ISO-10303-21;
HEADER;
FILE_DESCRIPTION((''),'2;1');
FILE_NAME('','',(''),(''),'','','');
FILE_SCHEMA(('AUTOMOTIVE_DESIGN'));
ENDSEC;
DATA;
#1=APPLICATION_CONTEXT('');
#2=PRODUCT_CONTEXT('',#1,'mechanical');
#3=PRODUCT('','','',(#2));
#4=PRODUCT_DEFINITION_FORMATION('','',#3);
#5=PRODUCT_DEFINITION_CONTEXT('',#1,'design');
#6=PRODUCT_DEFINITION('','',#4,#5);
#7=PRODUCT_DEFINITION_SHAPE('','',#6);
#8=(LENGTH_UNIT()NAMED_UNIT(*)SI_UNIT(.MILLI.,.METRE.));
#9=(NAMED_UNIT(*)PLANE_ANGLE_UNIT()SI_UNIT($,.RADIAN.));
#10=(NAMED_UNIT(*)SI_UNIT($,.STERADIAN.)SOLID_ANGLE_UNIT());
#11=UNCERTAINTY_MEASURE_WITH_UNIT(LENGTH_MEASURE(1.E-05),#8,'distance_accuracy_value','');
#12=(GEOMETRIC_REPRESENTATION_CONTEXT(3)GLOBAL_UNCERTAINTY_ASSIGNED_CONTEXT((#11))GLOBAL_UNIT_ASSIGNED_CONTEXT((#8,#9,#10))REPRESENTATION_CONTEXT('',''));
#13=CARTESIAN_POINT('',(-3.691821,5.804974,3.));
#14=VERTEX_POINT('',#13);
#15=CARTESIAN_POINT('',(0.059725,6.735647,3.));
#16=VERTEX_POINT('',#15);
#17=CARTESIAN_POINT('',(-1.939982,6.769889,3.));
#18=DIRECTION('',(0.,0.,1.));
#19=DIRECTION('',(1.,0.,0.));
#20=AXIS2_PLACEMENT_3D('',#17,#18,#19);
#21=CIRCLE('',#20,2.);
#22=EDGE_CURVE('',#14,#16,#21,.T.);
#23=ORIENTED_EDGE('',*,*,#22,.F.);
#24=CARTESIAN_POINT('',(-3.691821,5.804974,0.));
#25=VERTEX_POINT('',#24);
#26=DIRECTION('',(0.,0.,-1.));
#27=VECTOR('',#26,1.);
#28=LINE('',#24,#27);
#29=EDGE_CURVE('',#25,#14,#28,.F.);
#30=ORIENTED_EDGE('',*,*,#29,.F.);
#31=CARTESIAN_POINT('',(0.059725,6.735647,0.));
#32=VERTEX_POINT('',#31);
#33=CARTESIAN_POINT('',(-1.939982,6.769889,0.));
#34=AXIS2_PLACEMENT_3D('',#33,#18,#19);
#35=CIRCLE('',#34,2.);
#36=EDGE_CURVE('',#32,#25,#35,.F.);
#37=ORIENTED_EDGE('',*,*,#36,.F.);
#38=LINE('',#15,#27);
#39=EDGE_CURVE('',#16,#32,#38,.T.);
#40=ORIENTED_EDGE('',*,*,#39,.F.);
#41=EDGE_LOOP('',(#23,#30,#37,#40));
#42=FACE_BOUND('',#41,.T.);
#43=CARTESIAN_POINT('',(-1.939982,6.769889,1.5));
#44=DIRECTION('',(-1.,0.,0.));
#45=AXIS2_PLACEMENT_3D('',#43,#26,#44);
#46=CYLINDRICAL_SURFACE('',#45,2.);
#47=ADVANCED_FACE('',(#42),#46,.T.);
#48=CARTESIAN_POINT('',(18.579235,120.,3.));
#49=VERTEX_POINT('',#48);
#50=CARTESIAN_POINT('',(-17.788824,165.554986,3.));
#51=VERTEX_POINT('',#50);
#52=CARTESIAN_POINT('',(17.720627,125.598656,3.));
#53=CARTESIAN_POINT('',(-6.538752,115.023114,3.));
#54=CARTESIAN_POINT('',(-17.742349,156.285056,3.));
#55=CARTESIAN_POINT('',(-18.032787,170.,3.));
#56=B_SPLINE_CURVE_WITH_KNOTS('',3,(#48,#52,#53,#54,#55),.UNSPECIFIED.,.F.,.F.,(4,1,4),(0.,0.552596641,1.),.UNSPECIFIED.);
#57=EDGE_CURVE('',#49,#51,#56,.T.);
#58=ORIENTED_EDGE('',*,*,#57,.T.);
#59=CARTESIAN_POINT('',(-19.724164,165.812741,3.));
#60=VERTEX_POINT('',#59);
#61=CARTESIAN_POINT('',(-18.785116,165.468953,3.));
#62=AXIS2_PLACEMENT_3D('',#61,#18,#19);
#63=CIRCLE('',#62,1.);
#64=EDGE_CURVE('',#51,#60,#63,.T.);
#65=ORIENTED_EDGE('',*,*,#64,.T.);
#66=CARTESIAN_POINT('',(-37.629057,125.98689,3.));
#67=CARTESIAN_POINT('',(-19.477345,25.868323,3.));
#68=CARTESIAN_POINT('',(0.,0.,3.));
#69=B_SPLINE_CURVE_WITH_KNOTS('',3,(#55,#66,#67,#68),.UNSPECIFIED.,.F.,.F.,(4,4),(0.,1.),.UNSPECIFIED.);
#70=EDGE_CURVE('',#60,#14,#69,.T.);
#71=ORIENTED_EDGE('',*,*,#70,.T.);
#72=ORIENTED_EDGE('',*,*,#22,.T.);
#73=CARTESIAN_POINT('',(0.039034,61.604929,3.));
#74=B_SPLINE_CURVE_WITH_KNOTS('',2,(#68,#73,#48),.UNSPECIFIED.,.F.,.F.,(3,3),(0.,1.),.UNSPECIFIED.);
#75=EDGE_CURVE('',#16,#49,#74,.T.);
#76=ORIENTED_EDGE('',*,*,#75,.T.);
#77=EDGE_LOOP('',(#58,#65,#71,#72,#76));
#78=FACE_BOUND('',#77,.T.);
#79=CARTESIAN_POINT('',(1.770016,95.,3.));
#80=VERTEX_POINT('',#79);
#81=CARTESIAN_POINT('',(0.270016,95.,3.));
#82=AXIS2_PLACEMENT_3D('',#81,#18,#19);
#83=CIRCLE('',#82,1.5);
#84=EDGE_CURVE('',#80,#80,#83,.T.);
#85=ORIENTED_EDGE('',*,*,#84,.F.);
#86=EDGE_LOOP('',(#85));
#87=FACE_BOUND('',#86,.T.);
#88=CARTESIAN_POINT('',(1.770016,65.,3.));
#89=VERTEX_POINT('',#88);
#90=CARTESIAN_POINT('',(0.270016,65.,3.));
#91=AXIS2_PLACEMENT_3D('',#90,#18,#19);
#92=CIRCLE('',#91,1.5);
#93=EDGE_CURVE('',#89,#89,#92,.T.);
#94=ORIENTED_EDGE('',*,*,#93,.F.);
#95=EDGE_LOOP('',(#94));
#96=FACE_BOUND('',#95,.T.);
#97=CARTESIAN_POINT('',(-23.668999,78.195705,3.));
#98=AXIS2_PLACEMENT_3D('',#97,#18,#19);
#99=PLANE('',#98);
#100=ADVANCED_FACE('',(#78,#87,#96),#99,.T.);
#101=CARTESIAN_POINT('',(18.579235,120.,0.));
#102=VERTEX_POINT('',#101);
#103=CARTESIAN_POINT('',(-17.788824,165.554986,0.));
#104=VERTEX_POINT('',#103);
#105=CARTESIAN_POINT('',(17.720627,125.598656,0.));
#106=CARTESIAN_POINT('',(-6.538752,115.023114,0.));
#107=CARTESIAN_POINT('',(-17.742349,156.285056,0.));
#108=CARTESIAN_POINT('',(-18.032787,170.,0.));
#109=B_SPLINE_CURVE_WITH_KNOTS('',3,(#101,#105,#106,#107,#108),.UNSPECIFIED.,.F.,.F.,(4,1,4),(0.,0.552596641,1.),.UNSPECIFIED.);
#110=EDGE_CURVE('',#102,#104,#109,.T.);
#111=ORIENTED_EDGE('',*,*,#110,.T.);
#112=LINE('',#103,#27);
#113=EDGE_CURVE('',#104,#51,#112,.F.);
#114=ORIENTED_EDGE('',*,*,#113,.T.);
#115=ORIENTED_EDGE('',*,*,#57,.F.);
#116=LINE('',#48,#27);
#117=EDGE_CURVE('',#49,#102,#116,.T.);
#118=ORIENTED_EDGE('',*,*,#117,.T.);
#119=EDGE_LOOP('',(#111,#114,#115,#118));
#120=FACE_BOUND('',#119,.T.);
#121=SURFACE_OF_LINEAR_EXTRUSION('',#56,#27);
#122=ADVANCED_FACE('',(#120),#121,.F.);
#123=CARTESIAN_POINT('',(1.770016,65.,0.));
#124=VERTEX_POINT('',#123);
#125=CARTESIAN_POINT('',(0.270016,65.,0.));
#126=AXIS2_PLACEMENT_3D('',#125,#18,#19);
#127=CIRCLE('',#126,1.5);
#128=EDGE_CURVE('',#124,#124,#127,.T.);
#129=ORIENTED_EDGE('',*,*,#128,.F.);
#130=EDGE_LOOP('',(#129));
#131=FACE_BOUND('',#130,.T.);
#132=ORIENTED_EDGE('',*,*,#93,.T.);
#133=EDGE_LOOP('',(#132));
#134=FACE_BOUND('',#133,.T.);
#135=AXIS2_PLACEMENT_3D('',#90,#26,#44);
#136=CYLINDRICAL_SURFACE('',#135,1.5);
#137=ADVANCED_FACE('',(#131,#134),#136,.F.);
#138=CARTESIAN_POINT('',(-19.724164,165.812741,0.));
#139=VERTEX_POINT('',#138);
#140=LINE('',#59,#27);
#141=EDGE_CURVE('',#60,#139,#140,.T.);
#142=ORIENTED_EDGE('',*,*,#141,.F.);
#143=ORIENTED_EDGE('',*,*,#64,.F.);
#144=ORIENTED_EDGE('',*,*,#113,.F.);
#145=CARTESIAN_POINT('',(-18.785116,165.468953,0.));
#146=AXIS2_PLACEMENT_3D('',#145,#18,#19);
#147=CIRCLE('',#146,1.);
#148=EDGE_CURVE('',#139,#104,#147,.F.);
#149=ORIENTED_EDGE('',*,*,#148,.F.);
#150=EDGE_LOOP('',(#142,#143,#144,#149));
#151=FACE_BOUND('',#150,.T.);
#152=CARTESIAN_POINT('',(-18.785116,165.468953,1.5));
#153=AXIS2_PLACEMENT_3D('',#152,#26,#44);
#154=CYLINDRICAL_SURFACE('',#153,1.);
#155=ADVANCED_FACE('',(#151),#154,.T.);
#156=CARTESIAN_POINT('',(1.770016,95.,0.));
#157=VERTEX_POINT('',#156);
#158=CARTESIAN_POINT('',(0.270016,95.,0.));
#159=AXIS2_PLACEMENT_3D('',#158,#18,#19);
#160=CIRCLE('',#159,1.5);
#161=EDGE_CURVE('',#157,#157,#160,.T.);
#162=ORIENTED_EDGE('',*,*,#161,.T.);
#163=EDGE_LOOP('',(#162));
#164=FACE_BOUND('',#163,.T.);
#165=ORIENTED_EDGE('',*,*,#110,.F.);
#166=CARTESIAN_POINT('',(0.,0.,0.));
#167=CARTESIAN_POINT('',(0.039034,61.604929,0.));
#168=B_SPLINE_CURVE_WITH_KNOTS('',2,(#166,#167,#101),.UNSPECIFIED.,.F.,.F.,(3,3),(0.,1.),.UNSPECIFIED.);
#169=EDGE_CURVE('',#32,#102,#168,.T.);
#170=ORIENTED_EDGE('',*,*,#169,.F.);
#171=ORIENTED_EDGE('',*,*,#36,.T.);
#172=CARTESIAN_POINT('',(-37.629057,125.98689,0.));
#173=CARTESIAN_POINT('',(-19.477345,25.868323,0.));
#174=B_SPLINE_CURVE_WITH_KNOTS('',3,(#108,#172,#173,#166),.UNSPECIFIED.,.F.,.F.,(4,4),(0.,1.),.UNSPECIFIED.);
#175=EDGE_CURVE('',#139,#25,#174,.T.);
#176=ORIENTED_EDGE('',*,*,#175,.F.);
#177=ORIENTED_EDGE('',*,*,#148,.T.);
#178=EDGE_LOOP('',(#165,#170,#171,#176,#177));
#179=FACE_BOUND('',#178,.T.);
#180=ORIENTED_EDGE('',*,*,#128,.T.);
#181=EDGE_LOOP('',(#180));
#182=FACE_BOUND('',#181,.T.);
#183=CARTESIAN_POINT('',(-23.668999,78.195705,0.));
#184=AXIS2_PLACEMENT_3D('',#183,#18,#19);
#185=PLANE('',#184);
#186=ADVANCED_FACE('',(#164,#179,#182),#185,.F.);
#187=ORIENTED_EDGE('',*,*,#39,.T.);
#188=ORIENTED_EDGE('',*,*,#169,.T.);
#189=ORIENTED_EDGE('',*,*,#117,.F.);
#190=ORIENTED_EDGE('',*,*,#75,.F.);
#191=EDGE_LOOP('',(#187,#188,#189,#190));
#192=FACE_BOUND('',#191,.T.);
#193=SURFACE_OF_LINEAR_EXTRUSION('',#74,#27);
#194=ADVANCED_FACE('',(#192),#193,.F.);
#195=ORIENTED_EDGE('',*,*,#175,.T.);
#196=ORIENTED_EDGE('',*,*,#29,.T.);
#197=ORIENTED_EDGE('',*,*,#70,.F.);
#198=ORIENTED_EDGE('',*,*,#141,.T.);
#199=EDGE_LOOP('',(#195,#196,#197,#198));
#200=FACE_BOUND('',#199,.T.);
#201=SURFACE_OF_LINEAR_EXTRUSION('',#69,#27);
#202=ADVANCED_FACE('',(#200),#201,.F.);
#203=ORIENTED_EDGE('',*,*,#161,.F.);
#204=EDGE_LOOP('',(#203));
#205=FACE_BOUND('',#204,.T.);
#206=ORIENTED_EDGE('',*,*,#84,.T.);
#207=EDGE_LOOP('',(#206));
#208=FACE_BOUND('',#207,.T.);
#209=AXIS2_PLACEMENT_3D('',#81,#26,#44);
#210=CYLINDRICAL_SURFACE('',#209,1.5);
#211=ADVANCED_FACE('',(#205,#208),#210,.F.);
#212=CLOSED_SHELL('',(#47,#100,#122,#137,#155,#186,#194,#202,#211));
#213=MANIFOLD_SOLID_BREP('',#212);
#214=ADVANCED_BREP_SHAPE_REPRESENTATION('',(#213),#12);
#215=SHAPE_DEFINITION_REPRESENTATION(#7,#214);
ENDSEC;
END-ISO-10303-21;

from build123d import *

# Parameters (mm, degrees)
SKETCH1_R           = 1.5
BOSS_EXTRUDE1_DEPTH = 3
FILLET1_R           = 1
FILLET2_R           = 2


with BuildPart() as part:
    # Sketch1 → Boss-Extrude1 (new body)
    with BuildSketch(Plane.XY):
        with BuildLine():
            add(Edge.make_bspline(
                [(0, 0), (0.039034334, 61.604929497), (18.579234973, 120)],
                knots=[0, 0, 0, 1, 1, 1], degree=2))
            add(Edge.make_bspline(
                [(-18.032786885, 170), (-17.742349194, 156.285056374), (-6.538751715, 115.023114242), (17.720626912, 125.598656039), (18.579234973, 120)],
                knots=[0, 0, 0, 0, 0.447403359, 1, 1, 1, 1], degree=3))
            add(Edge.make_bspline(
                [(0, 0), (-19.47734459, 25.868323257), (-37.629056536, 125.986890488), (-18.032786885, 170)],
                knots=[0, 0, 0, 0, 1, 1, 1, 1], degree=3))
        make_face()
        with Locations((0.270016121, 65)):
            Circle(SKETCH1_R, mode=Mode.SUBTRACT)
        with Locations((0.270016121, 95)):
            Circle(SKETCH1_R, mode=Mode.SUBTRACT)
    extrude(amount=BOSS_EXTRUDE1_DEPTH)

    # Fillet1
    fillet1_edges = [part.edges().sort_by_distance(p)[0] for p in [
        (-18.032786885, 170, 1.5),
    ]]
    fillet(fillet1_edges, radius=FILLET1_R)

    # Fillet2
    fillet2_edges = [part.edges().sort_by_distance(p)[0] for p in [
        (0, 0, 1.5),
    ]]
    fillet(fillet2_edges, radius=FILLET2_R)


solid = part.part
